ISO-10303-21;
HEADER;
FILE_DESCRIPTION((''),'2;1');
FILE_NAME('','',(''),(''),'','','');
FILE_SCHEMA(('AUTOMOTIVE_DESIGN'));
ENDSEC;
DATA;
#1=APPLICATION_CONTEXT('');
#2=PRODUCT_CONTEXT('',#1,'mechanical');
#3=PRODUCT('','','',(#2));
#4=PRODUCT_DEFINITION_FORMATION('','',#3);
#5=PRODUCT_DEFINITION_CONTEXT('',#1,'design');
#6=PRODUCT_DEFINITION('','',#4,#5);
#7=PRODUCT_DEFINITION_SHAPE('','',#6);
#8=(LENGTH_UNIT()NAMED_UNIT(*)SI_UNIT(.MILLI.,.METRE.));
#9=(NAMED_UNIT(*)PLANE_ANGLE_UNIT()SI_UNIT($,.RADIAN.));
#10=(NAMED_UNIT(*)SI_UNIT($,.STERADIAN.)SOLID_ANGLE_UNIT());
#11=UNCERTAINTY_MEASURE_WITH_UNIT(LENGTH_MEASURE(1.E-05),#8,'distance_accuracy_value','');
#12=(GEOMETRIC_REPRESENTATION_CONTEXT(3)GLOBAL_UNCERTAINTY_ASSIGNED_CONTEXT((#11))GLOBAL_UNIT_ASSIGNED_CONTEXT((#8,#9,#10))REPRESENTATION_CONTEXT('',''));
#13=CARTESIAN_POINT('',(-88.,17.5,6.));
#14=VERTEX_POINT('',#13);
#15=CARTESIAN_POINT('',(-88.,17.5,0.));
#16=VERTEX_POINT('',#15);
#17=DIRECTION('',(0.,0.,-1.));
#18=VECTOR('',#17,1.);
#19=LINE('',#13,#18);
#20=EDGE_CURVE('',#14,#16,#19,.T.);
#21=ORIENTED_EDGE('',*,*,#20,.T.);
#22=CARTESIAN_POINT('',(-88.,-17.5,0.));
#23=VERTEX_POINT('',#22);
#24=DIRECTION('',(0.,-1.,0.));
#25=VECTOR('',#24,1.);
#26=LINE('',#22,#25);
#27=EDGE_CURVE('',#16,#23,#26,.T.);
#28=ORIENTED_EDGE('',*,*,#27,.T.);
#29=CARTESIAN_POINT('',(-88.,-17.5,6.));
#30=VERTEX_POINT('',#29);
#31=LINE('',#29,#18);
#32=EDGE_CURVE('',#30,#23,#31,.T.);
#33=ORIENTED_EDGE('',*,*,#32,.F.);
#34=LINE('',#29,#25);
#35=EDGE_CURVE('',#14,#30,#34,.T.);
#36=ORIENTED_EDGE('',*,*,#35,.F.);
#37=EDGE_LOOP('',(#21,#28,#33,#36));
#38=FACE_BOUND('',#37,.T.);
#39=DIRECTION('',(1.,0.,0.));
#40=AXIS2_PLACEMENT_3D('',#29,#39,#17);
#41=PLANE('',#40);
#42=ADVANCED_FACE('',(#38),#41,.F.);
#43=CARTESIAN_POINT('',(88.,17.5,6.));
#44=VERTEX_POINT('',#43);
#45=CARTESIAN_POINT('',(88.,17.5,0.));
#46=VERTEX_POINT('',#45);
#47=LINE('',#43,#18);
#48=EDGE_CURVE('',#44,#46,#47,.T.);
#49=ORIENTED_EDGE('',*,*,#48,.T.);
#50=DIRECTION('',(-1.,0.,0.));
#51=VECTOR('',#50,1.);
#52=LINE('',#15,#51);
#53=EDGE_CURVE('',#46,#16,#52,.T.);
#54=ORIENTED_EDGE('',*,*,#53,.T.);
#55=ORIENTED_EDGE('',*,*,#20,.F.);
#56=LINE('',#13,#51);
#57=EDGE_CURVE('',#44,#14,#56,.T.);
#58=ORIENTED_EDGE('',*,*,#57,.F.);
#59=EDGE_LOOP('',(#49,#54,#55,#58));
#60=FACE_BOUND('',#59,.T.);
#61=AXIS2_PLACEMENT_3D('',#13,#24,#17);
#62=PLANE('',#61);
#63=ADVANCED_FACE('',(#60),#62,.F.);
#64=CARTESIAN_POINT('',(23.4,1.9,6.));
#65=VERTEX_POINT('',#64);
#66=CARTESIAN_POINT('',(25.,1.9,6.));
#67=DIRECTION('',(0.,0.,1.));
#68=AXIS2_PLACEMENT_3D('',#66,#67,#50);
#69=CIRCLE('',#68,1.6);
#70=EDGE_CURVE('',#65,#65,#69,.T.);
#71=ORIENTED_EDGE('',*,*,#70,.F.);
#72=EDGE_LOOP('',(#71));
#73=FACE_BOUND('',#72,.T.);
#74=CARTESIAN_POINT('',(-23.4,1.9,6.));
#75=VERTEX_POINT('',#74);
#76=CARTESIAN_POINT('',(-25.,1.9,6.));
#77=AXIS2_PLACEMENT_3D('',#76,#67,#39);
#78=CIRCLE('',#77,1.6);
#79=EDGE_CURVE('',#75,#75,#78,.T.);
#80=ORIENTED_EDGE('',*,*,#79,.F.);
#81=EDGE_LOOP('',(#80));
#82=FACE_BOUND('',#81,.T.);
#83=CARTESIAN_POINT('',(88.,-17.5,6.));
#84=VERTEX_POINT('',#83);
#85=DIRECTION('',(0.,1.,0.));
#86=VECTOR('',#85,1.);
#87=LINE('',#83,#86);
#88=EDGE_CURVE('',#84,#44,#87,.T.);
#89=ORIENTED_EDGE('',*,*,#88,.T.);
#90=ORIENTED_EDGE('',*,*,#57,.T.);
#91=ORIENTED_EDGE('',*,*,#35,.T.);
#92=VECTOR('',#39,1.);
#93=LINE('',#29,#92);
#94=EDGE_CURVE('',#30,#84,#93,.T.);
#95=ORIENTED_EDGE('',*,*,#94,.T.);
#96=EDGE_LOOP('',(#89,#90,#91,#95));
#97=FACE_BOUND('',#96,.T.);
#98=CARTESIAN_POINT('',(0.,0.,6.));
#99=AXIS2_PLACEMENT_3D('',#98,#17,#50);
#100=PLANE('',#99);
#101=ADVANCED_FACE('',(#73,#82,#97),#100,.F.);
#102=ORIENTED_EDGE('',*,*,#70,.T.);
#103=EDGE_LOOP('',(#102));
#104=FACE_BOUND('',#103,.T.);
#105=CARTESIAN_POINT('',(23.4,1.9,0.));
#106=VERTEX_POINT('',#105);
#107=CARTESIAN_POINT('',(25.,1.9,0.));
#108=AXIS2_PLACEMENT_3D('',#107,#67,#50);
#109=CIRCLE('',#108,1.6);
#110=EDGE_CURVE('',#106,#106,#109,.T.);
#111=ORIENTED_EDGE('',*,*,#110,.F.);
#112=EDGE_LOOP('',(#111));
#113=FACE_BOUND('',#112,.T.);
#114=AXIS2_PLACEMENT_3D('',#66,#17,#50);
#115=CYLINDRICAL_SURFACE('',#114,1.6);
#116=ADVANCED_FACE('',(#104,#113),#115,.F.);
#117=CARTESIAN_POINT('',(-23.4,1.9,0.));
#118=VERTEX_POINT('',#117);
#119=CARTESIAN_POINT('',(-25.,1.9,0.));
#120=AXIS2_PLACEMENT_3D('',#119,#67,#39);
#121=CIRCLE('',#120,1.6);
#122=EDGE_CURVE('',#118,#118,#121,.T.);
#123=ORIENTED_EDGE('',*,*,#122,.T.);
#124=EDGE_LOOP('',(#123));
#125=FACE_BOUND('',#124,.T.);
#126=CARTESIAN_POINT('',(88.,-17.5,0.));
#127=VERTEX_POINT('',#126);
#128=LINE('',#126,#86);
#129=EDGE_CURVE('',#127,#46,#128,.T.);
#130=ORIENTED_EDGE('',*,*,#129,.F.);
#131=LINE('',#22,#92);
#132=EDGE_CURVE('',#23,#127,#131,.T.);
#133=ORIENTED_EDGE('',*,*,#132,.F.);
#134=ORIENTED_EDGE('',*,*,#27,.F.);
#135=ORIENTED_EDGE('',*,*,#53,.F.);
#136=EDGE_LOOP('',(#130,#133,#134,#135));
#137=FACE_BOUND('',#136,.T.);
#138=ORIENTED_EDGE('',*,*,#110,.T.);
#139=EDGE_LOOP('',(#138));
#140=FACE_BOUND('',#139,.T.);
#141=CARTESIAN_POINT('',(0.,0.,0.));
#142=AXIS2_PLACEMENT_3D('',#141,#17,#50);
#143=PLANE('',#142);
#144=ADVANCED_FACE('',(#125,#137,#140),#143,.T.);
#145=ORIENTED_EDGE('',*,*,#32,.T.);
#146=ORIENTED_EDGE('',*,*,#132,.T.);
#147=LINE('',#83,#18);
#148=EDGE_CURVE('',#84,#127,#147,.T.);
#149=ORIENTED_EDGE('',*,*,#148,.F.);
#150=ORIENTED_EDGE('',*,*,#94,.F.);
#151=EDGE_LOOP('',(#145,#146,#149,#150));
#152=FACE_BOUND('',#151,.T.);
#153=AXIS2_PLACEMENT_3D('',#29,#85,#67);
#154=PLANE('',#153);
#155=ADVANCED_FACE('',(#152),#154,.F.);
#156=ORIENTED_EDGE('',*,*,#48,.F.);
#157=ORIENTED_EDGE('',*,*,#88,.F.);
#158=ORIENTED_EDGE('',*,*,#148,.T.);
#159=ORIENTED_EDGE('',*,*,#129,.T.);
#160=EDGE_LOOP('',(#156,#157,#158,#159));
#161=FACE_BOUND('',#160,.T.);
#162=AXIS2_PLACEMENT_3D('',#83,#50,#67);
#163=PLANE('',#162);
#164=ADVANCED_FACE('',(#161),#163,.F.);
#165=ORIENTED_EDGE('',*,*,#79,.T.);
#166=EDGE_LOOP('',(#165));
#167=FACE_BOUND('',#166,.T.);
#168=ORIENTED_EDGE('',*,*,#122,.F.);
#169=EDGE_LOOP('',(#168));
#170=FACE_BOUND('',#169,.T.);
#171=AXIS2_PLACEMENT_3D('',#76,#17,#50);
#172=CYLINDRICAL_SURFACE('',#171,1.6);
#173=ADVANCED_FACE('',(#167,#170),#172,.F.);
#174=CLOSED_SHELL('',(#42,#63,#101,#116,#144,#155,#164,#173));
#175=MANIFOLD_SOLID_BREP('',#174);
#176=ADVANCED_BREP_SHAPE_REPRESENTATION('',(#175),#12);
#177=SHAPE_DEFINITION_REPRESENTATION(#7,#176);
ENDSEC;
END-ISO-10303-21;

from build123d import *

# Parameters (mm, degrees)
SKETCH1_W           = 176
SKETCH1_H           = 35
SKETCH1_R           = 1.6
BOSS_EXTRUDE1_DEPTH = 6


with BuildPart() as part:
    # Sketch1 → Boss-Extrude1 (new body)
    with BuildSketch(Plane.XY):
        Rectangle(SKETCH1_W, SKETCH1_H)
        with Locations((-25, 1.9)):
            Circle(SKETCH1_R, mode=Mode.SUBTRACT)
        with Locations(Location((25, 1.9, 0), (0, 0, 180))):
            Circle(SKETCH1_R, mode=Mode.SUBTRACT)
    extrude(amount=BOSS_EXTRUDE1_DEPTH)


solid = part.part
